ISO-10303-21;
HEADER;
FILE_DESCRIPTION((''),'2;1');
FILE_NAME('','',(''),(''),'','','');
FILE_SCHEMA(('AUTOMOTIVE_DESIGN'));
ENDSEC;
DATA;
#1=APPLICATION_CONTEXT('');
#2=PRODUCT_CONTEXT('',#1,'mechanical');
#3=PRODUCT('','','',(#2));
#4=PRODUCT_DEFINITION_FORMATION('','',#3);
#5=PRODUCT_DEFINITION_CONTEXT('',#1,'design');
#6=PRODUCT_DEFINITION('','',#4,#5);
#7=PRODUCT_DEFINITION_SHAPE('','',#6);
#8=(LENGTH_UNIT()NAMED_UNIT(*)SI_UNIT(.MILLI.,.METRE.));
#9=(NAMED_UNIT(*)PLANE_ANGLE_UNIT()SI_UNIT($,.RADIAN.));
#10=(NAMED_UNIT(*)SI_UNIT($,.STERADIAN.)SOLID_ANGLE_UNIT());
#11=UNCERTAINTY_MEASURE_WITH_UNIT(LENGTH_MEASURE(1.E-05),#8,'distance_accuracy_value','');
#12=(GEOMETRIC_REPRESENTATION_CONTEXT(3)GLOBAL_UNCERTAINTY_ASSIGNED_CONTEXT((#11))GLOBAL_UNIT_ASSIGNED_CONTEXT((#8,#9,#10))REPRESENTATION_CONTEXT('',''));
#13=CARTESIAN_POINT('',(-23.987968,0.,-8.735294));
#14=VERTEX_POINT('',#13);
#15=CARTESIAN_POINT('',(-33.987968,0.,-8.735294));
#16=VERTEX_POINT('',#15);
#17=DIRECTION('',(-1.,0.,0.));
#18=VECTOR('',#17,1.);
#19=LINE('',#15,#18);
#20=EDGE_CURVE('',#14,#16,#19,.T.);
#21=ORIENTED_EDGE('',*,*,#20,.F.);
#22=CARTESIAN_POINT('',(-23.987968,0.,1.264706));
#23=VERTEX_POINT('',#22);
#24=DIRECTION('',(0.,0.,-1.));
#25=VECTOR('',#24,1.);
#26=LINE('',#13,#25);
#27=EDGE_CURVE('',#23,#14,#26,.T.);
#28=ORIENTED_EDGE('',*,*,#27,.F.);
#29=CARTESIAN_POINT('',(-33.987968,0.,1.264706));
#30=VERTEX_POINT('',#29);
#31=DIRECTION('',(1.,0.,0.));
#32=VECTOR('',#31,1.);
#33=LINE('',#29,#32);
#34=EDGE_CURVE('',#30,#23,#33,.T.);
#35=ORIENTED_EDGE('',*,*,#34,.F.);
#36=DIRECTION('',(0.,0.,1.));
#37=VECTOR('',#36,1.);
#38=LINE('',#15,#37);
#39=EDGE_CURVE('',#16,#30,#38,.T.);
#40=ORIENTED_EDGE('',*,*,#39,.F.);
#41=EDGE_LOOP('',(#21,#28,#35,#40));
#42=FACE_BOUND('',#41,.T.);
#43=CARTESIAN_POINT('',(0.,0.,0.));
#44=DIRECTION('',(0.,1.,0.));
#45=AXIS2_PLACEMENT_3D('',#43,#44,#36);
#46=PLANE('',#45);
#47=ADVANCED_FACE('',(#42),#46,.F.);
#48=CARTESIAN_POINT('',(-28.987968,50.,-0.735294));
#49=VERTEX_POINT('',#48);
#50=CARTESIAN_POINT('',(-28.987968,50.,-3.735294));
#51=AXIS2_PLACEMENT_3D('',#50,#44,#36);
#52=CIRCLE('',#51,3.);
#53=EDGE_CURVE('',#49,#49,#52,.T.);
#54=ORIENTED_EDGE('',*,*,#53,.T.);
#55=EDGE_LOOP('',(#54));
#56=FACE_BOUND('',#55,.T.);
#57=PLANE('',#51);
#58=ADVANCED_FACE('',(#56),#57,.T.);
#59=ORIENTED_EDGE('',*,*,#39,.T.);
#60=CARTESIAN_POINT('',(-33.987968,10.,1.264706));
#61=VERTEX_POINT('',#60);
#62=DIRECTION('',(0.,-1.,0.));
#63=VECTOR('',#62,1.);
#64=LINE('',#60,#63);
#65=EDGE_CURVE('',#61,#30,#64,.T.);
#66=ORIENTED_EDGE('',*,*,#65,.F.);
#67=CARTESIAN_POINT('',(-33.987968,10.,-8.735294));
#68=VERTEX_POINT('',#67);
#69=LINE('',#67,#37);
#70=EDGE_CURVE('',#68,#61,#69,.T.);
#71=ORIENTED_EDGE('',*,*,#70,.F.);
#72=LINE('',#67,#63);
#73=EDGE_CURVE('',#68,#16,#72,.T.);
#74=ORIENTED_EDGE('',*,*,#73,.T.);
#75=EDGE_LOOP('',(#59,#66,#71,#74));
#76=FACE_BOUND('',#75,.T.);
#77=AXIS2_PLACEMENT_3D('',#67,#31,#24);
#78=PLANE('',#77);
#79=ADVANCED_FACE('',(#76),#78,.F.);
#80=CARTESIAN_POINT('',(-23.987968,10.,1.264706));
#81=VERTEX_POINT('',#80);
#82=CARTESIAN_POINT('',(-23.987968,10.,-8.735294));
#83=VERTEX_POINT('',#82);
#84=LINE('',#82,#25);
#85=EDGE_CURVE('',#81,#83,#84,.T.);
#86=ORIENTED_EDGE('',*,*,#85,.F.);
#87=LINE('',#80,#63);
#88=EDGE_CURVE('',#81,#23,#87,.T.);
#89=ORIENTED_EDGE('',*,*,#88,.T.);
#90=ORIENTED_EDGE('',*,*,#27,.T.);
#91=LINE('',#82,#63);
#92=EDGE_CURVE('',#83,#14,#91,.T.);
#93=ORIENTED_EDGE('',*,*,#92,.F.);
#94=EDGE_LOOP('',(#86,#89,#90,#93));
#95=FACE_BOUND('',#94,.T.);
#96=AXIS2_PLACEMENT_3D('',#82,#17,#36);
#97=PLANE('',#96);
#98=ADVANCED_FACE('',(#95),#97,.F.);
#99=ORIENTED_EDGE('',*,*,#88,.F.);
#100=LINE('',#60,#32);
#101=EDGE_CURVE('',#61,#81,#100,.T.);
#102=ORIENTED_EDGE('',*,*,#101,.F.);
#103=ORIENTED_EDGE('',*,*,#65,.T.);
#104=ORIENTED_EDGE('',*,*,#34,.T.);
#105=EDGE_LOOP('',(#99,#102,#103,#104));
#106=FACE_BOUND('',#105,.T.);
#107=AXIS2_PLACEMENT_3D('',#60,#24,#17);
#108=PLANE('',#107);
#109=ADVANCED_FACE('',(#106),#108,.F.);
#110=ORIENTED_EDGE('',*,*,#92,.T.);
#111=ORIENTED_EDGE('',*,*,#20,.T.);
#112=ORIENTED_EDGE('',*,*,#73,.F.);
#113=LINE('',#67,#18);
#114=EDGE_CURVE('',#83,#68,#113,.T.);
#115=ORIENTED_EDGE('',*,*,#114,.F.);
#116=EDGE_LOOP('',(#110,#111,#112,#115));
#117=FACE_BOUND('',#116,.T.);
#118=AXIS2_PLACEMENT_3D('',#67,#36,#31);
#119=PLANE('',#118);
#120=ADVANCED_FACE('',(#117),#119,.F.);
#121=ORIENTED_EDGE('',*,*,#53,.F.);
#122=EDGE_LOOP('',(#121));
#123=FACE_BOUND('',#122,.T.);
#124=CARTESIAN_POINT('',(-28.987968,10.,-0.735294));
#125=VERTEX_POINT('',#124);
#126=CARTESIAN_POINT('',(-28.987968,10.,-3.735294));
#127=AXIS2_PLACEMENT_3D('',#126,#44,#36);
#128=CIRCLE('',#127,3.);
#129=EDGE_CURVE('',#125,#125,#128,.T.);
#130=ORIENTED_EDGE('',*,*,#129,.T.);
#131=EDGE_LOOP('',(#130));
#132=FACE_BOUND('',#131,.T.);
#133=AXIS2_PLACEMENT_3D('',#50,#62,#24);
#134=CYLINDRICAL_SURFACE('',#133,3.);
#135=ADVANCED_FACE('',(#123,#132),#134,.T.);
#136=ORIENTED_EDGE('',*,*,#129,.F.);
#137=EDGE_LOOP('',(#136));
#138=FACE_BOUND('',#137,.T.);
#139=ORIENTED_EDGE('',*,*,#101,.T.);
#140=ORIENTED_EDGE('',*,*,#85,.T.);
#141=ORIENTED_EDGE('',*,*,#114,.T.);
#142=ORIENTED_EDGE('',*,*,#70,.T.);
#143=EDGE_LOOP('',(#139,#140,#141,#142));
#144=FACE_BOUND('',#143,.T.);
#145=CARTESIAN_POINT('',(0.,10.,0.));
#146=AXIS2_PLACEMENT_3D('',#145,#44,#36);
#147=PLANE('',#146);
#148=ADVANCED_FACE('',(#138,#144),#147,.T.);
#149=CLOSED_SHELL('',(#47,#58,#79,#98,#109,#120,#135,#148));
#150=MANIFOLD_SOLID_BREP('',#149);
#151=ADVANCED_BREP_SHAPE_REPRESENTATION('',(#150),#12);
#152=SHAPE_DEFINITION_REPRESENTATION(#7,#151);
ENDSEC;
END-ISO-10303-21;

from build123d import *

# Parameters (mm, degrees)
SKETCH_2_W      = 10
SKETCH_2_H      = 10
EXTRUDE_2_DEPTH = 10
SKETCH_3_R      = 3
EXTRUDE_3_DEPTH = 40


with BuildPart() as part:
    # 草图2 → 凸台-拉伸2 (new body)
    with BuildSketch(Plane(origin=(0, 0, 0), x_dir=(1, 0, 0), z_dir=(0, 1, 0))):
        with Locations((-28.987967914, 3.735294118)):
            Rectangle(SKETCH_2_W, SKETCH_2_H)
    extrude(amount=EXTRUDE_2_DEPTH)

    # 草图3 → 凸台-拉伸3 (add)
    with BuildSketch(Plane(origin=(0, 10, 0), x_dir=(1, 0, 0), z_dir=(0, 1, 0))):
        with Locations(Location((-28.987967914, 3.735294118, 0), (0, 0, 270))):
            Circle(SKETCH_3_R)
    extrude(amount=EXTRUDE_3_DEPTH)


solid = part.part
